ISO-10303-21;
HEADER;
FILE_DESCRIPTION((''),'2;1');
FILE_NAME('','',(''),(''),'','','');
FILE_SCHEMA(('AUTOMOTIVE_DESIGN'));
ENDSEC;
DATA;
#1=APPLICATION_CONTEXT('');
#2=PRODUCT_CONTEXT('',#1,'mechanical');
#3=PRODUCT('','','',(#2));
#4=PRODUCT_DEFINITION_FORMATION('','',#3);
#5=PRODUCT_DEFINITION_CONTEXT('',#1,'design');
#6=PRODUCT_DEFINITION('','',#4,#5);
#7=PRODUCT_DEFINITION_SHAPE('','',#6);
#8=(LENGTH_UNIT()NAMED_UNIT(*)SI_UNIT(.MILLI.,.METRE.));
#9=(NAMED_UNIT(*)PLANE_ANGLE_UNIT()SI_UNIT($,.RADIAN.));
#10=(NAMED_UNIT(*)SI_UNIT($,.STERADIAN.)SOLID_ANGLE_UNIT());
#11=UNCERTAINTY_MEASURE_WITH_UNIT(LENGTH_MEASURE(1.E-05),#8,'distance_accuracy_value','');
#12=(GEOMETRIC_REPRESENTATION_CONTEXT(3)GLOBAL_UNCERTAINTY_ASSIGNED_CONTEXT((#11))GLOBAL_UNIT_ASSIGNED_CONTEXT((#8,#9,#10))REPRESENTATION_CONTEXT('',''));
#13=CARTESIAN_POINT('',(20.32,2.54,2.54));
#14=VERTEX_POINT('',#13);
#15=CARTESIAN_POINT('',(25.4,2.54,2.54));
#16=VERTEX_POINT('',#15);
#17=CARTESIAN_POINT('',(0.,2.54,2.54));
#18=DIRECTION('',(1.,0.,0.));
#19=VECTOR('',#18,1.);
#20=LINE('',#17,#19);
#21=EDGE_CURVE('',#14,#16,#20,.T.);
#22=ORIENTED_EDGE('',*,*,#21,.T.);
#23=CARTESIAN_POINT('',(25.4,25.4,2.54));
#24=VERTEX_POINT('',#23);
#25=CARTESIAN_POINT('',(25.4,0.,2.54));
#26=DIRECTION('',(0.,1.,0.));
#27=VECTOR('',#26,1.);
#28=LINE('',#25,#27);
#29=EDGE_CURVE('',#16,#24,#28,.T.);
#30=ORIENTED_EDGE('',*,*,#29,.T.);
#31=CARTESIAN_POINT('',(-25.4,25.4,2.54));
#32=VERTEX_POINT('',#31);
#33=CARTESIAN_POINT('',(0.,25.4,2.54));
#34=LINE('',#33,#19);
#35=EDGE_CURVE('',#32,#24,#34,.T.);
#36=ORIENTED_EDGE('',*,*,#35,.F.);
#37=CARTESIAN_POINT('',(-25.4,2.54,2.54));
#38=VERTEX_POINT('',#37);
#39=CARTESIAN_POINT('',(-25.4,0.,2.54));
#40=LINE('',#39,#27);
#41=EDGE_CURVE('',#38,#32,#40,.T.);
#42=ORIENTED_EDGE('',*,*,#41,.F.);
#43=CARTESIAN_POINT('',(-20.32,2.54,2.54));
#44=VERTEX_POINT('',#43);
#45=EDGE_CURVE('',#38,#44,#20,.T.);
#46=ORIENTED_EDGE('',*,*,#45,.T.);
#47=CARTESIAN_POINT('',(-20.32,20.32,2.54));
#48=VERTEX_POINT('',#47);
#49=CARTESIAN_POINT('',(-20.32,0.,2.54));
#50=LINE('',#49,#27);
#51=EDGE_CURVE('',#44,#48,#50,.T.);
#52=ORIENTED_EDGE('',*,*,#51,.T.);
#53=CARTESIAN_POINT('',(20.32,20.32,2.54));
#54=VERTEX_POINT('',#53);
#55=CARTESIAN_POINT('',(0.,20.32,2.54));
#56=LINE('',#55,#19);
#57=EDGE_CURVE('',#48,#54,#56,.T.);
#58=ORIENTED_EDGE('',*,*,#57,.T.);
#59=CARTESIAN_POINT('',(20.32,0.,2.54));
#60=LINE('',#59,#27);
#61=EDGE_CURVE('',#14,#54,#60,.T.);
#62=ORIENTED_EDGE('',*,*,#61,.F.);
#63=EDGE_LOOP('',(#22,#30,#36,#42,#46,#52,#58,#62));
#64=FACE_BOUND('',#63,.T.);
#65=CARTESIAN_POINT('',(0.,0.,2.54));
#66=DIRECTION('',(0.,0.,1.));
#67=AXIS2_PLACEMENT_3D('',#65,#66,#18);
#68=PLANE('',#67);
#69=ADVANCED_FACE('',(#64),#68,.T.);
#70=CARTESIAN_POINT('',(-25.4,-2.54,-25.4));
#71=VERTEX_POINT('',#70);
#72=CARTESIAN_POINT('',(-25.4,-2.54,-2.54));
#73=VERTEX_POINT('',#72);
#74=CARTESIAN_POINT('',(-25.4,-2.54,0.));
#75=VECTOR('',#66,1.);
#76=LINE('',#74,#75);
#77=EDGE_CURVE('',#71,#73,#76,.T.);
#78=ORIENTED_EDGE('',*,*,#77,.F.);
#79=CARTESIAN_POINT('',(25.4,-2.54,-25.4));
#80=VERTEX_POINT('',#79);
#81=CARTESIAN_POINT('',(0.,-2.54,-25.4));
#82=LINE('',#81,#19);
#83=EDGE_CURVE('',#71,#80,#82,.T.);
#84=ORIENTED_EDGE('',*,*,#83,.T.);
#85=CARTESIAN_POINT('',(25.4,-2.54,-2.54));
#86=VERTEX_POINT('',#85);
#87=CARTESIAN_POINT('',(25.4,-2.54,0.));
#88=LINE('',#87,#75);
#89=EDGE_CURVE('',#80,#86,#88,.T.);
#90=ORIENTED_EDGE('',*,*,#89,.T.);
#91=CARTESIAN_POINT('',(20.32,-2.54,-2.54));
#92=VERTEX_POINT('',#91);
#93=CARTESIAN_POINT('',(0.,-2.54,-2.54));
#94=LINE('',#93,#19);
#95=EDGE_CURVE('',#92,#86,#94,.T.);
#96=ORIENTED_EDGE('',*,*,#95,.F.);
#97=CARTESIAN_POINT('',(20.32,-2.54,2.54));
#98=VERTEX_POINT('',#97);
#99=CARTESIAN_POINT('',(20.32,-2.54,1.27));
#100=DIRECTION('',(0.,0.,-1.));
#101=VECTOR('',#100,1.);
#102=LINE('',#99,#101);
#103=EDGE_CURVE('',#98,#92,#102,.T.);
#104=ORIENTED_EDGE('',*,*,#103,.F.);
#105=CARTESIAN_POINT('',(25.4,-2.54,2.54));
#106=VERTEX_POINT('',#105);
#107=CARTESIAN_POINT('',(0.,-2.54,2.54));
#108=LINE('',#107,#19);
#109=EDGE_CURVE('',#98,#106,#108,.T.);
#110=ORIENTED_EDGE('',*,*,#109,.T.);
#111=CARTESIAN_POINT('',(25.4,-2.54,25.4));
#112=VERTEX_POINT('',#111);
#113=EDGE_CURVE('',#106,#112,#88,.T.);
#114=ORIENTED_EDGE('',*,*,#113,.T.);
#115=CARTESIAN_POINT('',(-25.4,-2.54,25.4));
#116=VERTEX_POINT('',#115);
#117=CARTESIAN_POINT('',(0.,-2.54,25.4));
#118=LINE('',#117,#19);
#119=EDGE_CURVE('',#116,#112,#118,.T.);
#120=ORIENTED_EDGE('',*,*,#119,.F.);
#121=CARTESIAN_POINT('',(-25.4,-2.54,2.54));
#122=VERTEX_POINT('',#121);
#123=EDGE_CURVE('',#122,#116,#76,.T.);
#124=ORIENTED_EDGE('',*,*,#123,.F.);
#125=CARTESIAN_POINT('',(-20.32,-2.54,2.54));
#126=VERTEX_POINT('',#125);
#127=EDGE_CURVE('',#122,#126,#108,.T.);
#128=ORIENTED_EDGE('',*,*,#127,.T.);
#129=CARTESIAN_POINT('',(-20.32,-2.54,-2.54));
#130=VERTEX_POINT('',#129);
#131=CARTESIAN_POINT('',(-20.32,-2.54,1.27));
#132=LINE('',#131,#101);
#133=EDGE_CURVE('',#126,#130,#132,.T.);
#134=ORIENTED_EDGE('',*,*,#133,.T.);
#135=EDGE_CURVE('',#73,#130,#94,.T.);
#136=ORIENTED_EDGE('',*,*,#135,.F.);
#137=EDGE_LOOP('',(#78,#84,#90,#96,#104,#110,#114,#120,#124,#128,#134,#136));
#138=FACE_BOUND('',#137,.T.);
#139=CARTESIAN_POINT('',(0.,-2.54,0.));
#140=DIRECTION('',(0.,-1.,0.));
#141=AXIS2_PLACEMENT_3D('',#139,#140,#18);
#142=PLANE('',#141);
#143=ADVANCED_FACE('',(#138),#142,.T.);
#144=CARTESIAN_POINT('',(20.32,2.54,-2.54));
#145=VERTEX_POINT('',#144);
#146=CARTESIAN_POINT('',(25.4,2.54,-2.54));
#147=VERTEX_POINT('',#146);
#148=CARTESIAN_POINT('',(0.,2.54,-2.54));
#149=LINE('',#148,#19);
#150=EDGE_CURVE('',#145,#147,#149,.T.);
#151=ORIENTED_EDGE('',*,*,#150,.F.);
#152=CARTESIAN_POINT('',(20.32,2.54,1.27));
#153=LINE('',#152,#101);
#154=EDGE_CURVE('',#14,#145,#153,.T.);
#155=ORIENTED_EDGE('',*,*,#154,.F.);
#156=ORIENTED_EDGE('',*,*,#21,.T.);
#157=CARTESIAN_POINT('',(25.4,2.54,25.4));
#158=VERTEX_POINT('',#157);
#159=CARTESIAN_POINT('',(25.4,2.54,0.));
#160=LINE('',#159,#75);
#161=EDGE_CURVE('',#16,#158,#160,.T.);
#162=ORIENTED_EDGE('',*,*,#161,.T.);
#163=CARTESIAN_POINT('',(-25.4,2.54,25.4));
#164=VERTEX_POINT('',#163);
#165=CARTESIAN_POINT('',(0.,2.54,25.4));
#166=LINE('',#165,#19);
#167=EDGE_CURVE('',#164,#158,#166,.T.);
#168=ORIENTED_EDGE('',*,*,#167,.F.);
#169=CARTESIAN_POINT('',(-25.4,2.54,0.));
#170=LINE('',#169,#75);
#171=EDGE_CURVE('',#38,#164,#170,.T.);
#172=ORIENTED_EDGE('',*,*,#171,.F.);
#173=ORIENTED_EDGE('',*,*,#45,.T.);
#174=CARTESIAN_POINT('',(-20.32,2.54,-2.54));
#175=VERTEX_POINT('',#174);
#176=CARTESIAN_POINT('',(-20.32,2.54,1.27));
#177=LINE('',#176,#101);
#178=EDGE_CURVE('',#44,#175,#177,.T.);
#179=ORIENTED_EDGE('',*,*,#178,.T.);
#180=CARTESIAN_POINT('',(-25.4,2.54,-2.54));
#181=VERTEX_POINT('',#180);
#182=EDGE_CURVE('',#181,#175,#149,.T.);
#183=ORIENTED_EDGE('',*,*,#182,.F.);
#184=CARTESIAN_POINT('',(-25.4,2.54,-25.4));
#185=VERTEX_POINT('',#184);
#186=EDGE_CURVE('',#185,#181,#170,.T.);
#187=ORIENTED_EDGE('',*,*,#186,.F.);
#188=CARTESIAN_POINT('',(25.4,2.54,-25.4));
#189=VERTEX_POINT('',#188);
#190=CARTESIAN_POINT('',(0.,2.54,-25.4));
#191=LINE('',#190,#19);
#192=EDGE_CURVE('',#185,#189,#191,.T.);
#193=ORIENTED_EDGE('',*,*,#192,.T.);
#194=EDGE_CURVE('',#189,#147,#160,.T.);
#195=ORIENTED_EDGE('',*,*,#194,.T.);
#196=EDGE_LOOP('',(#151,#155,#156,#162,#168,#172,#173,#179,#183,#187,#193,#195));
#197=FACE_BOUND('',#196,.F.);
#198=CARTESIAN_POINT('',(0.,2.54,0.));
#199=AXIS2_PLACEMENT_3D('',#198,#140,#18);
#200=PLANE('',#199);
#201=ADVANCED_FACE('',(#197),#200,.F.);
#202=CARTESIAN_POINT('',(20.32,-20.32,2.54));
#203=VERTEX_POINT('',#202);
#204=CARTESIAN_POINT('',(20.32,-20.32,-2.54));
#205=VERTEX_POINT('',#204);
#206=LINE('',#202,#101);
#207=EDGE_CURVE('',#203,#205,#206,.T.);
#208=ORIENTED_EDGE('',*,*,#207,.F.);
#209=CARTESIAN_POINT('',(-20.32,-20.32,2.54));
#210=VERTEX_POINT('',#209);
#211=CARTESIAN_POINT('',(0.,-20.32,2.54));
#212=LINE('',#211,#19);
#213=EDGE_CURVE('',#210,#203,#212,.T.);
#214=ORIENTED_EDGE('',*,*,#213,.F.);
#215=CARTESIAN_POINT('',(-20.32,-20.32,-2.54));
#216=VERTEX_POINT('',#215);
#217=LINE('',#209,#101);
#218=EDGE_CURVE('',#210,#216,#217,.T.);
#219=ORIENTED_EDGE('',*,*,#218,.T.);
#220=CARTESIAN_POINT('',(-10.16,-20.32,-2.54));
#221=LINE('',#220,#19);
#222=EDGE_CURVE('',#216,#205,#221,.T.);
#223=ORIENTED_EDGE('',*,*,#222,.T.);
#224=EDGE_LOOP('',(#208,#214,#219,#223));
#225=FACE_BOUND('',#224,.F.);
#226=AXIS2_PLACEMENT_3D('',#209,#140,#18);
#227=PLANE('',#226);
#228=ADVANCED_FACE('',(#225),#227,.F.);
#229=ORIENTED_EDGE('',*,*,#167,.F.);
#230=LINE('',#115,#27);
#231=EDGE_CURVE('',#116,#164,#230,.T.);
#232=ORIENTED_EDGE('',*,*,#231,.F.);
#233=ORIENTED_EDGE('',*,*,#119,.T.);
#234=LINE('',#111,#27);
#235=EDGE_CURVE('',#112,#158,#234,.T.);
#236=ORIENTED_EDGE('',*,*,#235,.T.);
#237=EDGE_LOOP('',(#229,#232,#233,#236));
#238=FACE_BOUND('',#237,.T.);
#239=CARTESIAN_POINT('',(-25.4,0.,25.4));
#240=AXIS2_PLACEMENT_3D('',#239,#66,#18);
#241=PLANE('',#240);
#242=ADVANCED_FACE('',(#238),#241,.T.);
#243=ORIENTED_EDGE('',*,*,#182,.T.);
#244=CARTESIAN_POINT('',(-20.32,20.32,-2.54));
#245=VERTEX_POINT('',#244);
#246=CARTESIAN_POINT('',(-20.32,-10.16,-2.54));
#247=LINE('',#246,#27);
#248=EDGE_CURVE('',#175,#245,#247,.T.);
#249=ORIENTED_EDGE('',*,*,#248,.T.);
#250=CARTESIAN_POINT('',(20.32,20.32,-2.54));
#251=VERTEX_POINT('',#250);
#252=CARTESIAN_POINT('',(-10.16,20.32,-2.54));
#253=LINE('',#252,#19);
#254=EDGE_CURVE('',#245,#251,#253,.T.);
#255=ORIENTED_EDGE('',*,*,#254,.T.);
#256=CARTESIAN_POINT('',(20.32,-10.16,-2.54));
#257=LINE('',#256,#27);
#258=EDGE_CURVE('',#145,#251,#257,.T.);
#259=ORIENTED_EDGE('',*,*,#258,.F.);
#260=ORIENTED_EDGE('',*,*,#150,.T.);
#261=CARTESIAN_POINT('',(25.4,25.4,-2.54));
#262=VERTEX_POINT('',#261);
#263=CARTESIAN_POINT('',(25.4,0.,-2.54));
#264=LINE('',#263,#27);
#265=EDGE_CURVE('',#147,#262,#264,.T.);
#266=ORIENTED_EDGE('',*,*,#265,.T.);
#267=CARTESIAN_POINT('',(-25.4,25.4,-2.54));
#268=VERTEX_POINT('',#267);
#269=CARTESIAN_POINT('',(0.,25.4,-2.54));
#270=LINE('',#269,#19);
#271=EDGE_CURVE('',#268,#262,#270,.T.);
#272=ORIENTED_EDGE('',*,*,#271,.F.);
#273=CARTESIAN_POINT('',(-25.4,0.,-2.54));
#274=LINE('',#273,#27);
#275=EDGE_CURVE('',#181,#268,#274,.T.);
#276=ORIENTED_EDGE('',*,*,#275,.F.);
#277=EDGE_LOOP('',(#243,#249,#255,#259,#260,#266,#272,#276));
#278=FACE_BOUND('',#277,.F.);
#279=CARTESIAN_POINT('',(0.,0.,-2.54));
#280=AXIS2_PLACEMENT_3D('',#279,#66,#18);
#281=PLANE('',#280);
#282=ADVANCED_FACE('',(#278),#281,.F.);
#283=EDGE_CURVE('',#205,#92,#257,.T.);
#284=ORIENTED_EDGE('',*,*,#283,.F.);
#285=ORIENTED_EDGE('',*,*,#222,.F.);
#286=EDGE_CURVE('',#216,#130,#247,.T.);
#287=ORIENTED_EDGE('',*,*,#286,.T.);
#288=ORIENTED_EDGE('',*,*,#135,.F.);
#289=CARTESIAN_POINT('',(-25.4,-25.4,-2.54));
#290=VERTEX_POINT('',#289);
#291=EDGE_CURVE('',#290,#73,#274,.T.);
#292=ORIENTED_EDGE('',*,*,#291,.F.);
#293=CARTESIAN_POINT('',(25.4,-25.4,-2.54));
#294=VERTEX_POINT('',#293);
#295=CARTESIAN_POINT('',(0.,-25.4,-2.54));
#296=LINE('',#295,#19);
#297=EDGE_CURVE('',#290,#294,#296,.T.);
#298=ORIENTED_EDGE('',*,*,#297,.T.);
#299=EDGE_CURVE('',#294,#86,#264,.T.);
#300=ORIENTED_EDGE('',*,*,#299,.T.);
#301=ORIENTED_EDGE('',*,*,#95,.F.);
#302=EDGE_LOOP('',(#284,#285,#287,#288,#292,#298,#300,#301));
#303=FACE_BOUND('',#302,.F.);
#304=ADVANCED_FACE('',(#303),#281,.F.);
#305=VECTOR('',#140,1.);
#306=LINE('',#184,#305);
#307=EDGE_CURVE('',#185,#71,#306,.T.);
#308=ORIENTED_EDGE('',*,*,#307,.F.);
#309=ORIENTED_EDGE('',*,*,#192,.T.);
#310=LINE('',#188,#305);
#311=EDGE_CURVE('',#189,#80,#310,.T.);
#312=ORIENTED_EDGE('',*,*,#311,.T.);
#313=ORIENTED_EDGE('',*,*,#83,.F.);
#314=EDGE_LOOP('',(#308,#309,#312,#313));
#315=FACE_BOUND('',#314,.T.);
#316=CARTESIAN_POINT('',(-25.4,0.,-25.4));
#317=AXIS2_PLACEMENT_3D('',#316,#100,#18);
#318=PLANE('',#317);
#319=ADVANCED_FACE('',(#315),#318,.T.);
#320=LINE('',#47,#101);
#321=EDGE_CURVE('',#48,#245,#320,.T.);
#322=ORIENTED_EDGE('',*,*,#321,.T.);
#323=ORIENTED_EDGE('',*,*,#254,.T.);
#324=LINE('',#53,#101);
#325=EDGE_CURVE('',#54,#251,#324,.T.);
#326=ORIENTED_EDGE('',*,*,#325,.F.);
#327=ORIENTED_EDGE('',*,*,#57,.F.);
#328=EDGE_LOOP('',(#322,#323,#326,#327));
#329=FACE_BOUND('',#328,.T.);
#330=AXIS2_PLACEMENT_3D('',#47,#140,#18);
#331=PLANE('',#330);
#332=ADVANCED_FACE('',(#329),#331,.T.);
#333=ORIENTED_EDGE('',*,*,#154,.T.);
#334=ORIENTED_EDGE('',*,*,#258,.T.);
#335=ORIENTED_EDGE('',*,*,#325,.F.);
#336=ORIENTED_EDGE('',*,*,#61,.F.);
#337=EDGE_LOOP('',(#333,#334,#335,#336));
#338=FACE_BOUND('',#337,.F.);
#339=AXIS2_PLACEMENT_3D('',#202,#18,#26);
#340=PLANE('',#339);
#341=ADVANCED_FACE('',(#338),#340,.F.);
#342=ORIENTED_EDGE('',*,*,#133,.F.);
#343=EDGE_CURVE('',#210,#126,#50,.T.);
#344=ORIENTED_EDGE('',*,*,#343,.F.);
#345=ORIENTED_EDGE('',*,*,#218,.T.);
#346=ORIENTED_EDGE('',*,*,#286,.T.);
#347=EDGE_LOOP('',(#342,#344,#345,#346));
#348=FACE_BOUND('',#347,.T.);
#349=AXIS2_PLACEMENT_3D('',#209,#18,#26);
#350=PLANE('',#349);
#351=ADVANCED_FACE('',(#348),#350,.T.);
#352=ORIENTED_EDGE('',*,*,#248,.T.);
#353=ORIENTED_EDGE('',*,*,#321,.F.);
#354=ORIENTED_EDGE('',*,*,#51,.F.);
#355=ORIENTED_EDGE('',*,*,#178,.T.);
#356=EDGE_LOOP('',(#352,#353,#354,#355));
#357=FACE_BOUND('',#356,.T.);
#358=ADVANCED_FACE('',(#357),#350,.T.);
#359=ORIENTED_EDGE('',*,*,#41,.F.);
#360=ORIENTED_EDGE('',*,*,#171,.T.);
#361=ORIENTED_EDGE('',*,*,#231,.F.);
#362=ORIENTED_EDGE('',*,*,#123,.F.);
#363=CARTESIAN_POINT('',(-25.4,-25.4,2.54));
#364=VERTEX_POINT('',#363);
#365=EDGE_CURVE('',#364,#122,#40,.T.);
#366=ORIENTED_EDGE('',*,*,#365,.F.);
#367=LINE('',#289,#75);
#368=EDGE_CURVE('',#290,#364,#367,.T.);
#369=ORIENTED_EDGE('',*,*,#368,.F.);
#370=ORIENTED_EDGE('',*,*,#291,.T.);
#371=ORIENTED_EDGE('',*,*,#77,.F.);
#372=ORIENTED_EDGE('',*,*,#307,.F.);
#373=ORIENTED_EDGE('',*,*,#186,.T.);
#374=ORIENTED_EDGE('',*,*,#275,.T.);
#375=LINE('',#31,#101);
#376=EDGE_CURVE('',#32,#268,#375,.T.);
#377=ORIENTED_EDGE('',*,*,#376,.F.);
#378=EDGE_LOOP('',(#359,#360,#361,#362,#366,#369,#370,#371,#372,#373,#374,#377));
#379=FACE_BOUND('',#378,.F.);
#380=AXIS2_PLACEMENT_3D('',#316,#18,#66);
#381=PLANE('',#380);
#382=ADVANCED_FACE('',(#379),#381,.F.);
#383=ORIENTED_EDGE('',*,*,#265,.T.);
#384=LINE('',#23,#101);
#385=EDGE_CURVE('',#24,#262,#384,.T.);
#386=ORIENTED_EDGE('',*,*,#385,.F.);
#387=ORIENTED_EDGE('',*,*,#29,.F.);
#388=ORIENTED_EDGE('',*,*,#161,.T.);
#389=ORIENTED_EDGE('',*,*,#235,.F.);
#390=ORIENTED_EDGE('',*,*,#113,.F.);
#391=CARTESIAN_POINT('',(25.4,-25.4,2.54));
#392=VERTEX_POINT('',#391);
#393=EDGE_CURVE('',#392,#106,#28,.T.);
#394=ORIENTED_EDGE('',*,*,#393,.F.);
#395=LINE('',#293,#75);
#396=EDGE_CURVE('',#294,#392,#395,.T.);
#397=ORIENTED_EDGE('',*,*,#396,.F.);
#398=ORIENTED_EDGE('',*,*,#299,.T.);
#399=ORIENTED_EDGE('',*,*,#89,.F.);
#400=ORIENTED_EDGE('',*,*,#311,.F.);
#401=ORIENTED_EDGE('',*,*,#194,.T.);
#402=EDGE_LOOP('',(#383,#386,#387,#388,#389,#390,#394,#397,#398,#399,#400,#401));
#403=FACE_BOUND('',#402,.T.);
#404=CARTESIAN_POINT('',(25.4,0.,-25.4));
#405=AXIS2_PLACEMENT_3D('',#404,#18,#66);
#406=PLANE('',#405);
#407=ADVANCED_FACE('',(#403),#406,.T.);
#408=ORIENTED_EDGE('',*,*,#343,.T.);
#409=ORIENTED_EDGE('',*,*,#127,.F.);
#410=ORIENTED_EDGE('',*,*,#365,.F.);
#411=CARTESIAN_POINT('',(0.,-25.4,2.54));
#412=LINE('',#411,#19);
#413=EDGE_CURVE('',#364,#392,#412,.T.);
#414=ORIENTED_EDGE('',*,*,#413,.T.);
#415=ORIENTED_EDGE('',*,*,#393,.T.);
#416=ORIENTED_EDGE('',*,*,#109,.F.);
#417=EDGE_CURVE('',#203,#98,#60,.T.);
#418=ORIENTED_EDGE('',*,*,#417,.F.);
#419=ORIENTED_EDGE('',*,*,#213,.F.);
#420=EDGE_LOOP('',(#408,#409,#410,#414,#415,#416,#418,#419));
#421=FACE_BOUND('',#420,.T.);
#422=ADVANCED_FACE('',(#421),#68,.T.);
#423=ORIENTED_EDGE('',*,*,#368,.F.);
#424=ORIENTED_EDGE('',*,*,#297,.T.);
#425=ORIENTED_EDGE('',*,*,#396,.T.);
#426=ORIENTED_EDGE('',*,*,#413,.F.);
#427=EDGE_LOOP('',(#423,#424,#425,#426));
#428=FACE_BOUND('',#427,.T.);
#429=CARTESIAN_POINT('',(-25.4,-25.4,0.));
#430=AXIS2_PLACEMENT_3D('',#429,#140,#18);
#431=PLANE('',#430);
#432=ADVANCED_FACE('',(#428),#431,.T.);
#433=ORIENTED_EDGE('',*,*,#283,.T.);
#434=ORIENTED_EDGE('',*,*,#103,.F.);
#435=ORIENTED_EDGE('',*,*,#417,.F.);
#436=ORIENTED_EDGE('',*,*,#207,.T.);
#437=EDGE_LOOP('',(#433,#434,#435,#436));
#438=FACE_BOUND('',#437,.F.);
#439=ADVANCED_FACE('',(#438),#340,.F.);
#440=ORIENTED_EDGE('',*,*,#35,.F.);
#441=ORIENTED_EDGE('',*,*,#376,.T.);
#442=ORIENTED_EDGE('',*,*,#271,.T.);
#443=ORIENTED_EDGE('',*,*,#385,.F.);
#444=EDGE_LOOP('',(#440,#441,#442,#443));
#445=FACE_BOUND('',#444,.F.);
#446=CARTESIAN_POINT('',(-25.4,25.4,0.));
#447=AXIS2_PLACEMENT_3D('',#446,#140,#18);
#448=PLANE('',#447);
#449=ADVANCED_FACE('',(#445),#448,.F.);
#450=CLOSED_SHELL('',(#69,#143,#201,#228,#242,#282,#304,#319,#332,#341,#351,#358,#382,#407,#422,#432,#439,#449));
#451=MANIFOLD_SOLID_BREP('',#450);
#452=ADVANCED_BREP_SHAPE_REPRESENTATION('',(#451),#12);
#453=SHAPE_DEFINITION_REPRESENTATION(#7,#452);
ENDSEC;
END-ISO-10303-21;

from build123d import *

# Parameters (mm, degrees)
F0_W          = 50.8
F0_H          = 50.8
F1_DEPTH      = 2.54
F1_DEPTH_BACK = 2.54
F2_W          = 40.64
F2_H          = 40.64
F3_DEPTH      = 5.081
F4_W          = 50.8
F4_H          = 50.8
F5_DEPTH      = 2.54
F5_DEPTH_BACK = 2.54


with BuildPart() as f1:
    # F0 (on Top) → F1 (new body, two sides)
    with BuildSketch(Plane.XY) as f1_sk:
        Rectangle(F0_W, F0_H)
    extrude(amount=F1_DEPTH)
    extrude(f1_sk.sketch, amount=-F1_DEPTH_BACK)

    # F2 (on face) → F3 (cut, through all)
    with BuildSketch(Plane.XY.offset(2.54)):
        Rectangle(F2_W, F2_H)
    extrude(amount=-F3_DEPTH, mode=Mode.SUBTRACT)

    # F4 (on Front) → F5 (join, two sides)
    with BuildSketch(Plane.XZ) as f5_sk:
        Rectangle(F4_W, F4_H)
    extrude(amount=F5_DEPTH)
    extrude(f5_sk.sketch, amount=-F5_DEPTH_BACK)


solid = f1.part
